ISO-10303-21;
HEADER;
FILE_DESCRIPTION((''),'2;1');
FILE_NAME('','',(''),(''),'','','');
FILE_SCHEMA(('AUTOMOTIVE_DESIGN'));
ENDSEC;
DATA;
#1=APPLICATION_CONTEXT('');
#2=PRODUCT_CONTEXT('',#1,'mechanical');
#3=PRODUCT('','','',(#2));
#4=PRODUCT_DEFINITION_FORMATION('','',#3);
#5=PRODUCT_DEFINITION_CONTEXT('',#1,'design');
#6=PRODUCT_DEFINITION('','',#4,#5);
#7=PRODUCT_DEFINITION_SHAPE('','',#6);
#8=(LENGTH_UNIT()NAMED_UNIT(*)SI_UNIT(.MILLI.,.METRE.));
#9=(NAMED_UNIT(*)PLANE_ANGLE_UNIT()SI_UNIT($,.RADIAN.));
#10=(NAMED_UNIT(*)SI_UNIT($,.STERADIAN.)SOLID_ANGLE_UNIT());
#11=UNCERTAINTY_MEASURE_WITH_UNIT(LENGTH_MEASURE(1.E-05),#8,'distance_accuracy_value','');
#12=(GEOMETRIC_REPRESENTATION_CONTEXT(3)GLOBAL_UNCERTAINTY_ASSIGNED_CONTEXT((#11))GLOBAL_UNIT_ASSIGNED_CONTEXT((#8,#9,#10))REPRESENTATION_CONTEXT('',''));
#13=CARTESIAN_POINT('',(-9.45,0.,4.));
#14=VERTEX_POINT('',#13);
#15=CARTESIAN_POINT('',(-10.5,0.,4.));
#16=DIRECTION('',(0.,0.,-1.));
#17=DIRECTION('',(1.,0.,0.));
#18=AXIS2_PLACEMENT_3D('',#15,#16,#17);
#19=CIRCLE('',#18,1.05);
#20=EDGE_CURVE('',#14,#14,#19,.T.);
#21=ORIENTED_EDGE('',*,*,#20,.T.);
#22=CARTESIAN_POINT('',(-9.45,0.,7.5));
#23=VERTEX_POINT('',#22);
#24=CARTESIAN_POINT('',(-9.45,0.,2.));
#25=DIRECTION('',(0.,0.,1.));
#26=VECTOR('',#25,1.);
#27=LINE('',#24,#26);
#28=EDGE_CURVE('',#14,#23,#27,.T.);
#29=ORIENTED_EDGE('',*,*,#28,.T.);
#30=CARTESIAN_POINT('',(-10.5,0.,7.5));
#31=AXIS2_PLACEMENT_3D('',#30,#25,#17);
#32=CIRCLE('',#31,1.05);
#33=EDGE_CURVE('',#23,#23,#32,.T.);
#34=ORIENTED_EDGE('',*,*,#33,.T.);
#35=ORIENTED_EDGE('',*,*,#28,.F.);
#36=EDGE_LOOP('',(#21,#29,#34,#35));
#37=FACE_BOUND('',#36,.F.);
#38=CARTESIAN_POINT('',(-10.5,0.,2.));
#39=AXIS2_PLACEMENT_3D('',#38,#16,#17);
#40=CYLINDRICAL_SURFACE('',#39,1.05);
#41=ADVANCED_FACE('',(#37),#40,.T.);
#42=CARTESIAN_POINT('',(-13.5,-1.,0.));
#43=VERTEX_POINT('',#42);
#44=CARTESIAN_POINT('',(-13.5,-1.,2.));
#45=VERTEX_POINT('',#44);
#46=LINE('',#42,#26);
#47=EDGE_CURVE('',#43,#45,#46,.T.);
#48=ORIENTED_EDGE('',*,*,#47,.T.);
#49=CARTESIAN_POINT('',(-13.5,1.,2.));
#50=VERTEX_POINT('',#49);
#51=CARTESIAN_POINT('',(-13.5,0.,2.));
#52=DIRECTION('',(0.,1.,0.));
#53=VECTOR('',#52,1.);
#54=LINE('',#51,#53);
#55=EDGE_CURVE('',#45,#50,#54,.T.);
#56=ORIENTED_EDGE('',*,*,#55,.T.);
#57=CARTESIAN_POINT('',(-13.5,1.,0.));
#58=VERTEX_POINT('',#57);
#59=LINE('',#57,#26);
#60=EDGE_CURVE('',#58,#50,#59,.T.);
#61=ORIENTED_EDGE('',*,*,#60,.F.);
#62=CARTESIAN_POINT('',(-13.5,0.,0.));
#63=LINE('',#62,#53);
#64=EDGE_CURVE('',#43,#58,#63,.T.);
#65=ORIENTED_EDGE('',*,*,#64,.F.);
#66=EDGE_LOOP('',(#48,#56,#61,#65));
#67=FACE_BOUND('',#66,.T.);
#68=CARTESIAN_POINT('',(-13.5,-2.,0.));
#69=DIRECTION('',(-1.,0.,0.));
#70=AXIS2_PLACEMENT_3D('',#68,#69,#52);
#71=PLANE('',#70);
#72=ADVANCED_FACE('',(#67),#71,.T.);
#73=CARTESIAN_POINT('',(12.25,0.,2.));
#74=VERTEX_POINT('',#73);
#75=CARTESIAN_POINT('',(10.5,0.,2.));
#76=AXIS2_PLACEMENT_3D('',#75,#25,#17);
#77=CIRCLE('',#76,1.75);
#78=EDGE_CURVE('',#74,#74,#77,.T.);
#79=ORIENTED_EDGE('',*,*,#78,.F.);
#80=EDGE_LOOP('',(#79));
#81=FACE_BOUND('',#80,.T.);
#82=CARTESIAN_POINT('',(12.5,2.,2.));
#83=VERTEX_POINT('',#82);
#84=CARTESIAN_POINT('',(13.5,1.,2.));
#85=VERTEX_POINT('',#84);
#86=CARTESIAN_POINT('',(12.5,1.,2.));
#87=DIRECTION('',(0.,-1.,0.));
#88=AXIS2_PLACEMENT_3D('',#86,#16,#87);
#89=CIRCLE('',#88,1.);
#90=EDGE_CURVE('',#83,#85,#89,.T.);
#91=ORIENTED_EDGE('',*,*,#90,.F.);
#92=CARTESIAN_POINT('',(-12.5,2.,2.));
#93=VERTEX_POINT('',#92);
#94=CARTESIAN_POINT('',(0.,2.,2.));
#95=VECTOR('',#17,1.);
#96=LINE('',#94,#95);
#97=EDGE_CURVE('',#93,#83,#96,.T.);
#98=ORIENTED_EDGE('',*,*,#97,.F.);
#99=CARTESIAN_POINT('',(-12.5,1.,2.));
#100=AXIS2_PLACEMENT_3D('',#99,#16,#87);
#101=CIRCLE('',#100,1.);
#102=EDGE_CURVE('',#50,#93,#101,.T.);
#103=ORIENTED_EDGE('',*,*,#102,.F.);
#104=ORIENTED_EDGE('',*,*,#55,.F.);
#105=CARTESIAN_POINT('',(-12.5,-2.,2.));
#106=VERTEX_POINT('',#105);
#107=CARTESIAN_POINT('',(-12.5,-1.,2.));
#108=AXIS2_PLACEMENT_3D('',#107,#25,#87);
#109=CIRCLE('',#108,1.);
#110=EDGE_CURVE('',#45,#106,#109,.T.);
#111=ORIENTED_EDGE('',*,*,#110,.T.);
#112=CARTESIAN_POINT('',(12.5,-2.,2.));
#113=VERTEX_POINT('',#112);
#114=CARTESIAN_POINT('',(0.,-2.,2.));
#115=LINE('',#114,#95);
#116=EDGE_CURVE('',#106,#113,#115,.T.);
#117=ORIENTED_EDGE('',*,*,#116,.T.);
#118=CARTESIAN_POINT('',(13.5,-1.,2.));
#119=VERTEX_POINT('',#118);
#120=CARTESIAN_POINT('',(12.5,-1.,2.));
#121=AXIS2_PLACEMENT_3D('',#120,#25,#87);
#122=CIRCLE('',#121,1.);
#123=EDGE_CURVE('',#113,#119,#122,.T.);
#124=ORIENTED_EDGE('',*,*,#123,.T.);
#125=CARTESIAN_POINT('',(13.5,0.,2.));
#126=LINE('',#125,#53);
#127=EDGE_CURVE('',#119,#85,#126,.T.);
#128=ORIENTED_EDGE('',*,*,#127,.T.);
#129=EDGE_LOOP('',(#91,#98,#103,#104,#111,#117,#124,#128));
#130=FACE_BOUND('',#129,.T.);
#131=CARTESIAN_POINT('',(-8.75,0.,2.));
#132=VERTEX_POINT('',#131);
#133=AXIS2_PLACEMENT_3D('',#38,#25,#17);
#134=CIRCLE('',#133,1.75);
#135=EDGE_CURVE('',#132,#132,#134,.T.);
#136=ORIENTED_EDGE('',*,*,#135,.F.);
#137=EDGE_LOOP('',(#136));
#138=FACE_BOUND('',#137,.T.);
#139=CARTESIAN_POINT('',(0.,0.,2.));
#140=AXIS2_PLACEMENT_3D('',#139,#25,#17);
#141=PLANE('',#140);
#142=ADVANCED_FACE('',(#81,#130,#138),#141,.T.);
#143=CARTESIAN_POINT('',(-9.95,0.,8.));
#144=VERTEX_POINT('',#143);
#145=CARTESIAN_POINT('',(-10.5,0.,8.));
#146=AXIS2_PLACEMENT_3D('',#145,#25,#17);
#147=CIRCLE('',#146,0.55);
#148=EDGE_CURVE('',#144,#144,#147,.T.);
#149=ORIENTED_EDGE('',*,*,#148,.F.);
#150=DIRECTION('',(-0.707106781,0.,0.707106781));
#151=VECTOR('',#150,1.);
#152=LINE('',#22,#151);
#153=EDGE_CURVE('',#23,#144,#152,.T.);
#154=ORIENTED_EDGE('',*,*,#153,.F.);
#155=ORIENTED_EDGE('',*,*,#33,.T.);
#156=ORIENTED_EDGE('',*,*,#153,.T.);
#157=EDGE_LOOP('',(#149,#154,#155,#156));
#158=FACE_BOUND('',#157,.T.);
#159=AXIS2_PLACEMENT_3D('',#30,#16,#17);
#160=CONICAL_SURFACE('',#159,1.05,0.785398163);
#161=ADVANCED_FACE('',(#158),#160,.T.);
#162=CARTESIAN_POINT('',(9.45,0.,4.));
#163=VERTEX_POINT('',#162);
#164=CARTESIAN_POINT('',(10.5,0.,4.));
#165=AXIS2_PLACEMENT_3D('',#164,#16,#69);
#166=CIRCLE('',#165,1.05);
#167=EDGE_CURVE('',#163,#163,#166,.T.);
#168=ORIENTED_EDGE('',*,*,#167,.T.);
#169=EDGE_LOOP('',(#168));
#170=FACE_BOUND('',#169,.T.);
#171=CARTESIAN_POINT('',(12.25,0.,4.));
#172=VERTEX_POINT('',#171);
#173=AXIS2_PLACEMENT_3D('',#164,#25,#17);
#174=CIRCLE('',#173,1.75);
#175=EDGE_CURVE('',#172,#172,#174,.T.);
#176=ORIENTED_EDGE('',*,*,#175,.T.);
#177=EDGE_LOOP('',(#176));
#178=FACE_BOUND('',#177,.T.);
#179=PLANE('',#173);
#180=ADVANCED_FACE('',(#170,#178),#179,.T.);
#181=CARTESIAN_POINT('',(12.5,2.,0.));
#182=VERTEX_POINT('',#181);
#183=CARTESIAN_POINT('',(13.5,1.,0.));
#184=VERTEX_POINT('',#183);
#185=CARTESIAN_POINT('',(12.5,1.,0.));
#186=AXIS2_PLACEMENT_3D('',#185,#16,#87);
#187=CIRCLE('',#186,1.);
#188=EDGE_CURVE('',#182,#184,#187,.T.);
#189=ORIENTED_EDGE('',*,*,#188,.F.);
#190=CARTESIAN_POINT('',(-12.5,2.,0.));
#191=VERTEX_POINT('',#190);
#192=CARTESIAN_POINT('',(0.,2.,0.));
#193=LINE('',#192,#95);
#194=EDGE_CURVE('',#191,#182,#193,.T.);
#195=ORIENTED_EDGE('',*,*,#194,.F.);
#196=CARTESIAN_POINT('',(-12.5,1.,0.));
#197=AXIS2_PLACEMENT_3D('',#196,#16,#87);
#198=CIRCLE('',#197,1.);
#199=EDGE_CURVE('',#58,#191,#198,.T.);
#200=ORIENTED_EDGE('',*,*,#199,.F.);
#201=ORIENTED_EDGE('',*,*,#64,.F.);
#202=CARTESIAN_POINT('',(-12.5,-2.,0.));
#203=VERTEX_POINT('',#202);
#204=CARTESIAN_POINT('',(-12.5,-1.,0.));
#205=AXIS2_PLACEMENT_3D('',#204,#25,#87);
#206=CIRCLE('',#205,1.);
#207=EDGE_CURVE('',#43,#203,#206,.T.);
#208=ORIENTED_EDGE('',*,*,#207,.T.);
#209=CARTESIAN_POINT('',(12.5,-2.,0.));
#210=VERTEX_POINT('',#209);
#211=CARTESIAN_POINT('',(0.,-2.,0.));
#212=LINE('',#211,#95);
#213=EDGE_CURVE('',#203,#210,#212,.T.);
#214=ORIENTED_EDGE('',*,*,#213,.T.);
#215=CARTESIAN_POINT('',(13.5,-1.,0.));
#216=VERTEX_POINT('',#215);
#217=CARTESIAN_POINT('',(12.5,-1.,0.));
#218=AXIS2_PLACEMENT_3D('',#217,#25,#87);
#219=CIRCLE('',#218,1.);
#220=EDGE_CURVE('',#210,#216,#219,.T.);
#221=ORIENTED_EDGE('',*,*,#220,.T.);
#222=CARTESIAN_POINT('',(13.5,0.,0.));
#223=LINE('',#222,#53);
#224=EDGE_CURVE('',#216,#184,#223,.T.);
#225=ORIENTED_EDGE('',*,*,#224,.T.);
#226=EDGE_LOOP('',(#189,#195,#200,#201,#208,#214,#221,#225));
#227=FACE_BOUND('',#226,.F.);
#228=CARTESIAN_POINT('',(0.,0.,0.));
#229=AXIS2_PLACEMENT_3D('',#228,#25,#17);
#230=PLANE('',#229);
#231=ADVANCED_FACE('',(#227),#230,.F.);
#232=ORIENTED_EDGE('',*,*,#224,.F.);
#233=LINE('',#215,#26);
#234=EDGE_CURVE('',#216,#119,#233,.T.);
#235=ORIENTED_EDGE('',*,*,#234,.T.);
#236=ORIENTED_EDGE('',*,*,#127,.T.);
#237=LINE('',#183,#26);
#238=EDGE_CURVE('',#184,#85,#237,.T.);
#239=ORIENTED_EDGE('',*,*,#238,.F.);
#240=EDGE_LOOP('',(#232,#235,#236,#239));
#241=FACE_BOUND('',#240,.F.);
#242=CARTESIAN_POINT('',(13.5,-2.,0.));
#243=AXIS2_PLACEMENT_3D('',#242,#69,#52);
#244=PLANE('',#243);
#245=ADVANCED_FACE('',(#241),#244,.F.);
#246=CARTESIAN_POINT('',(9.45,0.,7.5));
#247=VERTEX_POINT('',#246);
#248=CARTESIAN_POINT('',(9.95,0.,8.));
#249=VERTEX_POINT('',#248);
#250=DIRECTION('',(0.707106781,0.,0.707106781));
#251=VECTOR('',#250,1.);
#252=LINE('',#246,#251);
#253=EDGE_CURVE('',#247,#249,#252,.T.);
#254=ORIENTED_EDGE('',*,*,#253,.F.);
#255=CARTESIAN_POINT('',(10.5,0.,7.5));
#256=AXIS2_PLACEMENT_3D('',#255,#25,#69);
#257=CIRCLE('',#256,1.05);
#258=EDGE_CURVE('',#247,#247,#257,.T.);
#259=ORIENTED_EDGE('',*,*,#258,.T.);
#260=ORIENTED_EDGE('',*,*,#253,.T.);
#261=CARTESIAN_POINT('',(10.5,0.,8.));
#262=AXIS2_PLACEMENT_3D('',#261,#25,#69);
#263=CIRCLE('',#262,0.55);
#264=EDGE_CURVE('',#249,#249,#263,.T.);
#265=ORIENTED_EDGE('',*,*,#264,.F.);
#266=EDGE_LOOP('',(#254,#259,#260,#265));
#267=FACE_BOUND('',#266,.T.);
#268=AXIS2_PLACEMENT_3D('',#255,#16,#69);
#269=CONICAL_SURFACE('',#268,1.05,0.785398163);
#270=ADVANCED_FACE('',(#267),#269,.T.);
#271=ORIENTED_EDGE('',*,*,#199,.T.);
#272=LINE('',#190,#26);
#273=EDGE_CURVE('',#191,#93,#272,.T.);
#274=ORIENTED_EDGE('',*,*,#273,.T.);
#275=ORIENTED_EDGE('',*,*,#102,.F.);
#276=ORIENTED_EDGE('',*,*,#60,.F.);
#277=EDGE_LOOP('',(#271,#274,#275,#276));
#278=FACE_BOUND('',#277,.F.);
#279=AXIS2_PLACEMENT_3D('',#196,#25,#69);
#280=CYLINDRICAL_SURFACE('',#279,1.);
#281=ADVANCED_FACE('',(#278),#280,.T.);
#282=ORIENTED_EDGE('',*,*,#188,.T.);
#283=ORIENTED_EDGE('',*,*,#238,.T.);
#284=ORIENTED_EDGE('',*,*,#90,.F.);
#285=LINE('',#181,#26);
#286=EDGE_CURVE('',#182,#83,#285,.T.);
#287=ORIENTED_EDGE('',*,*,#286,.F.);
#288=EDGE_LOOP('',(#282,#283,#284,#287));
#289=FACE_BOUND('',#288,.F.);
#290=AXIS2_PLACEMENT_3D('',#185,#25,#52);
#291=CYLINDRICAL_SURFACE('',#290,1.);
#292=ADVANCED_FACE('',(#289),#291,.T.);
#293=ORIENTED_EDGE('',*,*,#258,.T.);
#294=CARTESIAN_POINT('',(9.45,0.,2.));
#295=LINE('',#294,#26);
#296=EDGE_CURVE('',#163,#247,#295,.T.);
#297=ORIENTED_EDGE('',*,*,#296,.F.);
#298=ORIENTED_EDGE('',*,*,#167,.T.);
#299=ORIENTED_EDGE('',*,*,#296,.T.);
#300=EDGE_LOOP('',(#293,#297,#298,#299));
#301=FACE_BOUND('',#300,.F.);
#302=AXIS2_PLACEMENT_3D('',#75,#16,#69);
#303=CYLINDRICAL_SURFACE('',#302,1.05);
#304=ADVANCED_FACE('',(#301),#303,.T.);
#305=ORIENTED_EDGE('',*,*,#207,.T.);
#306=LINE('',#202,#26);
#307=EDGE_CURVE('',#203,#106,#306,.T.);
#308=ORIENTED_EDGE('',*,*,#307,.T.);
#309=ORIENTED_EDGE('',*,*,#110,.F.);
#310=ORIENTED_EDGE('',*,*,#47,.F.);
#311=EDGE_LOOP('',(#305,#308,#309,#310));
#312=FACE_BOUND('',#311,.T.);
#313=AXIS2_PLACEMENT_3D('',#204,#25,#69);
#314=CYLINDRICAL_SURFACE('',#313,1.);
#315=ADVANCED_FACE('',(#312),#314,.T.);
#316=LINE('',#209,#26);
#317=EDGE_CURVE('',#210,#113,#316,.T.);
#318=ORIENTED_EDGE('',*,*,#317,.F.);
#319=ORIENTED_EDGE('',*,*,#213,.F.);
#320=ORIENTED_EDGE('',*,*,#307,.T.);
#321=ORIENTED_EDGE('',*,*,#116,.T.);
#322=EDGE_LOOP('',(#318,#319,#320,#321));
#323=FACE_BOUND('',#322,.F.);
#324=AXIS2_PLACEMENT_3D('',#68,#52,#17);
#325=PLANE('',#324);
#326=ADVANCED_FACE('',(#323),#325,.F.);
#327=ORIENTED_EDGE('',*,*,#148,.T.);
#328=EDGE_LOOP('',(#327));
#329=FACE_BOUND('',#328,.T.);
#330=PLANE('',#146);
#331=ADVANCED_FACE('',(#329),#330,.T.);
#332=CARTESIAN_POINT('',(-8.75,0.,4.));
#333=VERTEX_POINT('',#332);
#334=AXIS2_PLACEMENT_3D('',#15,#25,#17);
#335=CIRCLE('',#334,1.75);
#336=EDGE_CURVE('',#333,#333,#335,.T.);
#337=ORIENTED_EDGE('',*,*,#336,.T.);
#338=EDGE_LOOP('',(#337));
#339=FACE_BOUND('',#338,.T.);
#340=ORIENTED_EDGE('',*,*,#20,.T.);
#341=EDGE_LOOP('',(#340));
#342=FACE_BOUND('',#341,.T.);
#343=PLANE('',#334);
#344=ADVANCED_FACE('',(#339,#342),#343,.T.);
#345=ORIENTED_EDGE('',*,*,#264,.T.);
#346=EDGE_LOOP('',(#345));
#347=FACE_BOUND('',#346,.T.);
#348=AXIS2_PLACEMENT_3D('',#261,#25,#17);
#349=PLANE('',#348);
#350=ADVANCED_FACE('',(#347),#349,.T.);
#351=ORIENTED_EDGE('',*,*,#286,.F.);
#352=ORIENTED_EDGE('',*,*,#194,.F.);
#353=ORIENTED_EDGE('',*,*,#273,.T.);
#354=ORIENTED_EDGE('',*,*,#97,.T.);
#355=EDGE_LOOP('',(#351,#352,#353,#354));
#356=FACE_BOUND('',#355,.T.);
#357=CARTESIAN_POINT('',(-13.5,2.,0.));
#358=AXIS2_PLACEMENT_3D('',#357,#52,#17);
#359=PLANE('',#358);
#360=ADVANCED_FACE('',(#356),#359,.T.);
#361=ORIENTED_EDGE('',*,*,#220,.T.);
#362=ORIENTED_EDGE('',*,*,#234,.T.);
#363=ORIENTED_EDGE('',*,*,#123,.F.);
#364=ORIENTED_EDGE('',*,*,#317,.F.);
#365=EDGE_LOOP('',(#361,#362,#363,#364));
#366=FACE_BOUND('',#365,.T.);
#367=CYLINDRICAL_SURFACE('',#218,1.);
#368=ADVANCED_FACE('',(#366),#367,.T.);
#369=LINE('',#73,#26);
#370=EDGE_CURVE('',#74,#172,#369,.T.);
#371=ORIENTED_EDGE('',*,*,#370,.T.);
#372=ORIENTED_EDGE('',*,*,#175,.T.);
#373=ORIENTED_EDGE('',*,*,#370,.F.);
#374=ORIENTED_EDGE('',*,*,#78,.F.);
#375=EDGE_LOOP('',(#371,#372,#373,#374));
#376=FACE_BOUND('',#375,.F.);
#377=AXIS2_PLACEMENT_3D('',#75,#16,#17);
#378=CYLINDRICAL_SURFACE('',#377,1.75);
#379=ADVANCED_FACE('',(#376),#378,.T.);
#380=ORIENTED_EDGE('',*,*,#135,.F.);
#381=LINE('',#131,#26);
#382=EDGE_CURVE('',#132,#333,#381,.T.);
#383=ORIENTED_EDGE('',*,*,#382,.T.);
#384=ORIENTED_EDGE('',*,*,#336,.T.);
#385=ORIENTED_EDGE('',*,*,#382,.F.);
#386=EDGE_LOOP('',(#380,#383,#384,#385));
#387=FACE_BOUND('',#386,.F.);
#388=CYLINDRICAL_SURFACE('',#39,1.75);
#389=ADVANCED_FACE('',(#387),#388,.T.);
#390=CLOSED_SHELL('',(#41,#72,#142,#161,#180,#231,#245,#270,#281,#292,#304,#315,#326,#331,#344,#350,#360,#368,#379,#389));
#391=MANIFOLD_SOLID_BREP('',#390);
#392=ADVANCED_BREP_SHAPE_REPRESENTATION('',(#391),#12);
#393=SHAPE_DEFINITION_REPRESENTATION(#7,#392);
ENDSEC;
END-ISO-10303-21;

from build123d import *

# Parameters (mm, degrees)
F0_W     = 27
F0_H     = 4
F1_DEPTH = 2
F2_R     = 1.05
F3_DEPTH = 6
F4_SIZE  = 0.5
F5_R     = 1
F6_R     = 1.75
F7_DEPTH = 2


with BuildPart() as f1:
    # F0 (on Top) → F1 (new body)
    with BuildSketch(Plane.XY):
        Rectangle(F0_W, F0_H)
    extrude(amount=F1_DEPTH)

    # F2 (on face) → F3 (join)
    with BuildSketch(Plane.XY.offset(2)):
        with Locations((-10.5, 0)):
            Circle(F2_R)
        with BuildLine():
            ThreePointArc((11.55, 0), (10.5, 1.05), (9.45, 0))
            ThreePointArc((9.45, 0), (10.5, -1.05), (11.55, 0))
        make_face()
    extrude(amount=F3_DEPTH)

    # F4
    f4_edges = [f1.edges().sort_by_distance(p)[0] for p in [
        (-11.55, 0, 8),
        (11.55, 0, 8),
    ]]
    chamfer(f4_edges, length=F4_SIZE)

    # F5
    f5_edges = [f1.edges().sort_by_distance(p)[0] for p in [
        (-13.5, -2, 1),
        (-13.5, 2, 1),
        (13.5, 2, 1),
        (13.5, -2, 1),
    ]]
    fillet(f5_edges, radius=F5_R)

    # F6 (on face) → F7 (join)
    with BuildSketch(Plane.XY.offset(2)):
        with Locations((-10.5, 0)):
            Circle(F6_R)
        with Locations((10.5, 0)):
            Circle(F6_R)
    extrude(amount=F7_DEPTH)


solid = f1.part
